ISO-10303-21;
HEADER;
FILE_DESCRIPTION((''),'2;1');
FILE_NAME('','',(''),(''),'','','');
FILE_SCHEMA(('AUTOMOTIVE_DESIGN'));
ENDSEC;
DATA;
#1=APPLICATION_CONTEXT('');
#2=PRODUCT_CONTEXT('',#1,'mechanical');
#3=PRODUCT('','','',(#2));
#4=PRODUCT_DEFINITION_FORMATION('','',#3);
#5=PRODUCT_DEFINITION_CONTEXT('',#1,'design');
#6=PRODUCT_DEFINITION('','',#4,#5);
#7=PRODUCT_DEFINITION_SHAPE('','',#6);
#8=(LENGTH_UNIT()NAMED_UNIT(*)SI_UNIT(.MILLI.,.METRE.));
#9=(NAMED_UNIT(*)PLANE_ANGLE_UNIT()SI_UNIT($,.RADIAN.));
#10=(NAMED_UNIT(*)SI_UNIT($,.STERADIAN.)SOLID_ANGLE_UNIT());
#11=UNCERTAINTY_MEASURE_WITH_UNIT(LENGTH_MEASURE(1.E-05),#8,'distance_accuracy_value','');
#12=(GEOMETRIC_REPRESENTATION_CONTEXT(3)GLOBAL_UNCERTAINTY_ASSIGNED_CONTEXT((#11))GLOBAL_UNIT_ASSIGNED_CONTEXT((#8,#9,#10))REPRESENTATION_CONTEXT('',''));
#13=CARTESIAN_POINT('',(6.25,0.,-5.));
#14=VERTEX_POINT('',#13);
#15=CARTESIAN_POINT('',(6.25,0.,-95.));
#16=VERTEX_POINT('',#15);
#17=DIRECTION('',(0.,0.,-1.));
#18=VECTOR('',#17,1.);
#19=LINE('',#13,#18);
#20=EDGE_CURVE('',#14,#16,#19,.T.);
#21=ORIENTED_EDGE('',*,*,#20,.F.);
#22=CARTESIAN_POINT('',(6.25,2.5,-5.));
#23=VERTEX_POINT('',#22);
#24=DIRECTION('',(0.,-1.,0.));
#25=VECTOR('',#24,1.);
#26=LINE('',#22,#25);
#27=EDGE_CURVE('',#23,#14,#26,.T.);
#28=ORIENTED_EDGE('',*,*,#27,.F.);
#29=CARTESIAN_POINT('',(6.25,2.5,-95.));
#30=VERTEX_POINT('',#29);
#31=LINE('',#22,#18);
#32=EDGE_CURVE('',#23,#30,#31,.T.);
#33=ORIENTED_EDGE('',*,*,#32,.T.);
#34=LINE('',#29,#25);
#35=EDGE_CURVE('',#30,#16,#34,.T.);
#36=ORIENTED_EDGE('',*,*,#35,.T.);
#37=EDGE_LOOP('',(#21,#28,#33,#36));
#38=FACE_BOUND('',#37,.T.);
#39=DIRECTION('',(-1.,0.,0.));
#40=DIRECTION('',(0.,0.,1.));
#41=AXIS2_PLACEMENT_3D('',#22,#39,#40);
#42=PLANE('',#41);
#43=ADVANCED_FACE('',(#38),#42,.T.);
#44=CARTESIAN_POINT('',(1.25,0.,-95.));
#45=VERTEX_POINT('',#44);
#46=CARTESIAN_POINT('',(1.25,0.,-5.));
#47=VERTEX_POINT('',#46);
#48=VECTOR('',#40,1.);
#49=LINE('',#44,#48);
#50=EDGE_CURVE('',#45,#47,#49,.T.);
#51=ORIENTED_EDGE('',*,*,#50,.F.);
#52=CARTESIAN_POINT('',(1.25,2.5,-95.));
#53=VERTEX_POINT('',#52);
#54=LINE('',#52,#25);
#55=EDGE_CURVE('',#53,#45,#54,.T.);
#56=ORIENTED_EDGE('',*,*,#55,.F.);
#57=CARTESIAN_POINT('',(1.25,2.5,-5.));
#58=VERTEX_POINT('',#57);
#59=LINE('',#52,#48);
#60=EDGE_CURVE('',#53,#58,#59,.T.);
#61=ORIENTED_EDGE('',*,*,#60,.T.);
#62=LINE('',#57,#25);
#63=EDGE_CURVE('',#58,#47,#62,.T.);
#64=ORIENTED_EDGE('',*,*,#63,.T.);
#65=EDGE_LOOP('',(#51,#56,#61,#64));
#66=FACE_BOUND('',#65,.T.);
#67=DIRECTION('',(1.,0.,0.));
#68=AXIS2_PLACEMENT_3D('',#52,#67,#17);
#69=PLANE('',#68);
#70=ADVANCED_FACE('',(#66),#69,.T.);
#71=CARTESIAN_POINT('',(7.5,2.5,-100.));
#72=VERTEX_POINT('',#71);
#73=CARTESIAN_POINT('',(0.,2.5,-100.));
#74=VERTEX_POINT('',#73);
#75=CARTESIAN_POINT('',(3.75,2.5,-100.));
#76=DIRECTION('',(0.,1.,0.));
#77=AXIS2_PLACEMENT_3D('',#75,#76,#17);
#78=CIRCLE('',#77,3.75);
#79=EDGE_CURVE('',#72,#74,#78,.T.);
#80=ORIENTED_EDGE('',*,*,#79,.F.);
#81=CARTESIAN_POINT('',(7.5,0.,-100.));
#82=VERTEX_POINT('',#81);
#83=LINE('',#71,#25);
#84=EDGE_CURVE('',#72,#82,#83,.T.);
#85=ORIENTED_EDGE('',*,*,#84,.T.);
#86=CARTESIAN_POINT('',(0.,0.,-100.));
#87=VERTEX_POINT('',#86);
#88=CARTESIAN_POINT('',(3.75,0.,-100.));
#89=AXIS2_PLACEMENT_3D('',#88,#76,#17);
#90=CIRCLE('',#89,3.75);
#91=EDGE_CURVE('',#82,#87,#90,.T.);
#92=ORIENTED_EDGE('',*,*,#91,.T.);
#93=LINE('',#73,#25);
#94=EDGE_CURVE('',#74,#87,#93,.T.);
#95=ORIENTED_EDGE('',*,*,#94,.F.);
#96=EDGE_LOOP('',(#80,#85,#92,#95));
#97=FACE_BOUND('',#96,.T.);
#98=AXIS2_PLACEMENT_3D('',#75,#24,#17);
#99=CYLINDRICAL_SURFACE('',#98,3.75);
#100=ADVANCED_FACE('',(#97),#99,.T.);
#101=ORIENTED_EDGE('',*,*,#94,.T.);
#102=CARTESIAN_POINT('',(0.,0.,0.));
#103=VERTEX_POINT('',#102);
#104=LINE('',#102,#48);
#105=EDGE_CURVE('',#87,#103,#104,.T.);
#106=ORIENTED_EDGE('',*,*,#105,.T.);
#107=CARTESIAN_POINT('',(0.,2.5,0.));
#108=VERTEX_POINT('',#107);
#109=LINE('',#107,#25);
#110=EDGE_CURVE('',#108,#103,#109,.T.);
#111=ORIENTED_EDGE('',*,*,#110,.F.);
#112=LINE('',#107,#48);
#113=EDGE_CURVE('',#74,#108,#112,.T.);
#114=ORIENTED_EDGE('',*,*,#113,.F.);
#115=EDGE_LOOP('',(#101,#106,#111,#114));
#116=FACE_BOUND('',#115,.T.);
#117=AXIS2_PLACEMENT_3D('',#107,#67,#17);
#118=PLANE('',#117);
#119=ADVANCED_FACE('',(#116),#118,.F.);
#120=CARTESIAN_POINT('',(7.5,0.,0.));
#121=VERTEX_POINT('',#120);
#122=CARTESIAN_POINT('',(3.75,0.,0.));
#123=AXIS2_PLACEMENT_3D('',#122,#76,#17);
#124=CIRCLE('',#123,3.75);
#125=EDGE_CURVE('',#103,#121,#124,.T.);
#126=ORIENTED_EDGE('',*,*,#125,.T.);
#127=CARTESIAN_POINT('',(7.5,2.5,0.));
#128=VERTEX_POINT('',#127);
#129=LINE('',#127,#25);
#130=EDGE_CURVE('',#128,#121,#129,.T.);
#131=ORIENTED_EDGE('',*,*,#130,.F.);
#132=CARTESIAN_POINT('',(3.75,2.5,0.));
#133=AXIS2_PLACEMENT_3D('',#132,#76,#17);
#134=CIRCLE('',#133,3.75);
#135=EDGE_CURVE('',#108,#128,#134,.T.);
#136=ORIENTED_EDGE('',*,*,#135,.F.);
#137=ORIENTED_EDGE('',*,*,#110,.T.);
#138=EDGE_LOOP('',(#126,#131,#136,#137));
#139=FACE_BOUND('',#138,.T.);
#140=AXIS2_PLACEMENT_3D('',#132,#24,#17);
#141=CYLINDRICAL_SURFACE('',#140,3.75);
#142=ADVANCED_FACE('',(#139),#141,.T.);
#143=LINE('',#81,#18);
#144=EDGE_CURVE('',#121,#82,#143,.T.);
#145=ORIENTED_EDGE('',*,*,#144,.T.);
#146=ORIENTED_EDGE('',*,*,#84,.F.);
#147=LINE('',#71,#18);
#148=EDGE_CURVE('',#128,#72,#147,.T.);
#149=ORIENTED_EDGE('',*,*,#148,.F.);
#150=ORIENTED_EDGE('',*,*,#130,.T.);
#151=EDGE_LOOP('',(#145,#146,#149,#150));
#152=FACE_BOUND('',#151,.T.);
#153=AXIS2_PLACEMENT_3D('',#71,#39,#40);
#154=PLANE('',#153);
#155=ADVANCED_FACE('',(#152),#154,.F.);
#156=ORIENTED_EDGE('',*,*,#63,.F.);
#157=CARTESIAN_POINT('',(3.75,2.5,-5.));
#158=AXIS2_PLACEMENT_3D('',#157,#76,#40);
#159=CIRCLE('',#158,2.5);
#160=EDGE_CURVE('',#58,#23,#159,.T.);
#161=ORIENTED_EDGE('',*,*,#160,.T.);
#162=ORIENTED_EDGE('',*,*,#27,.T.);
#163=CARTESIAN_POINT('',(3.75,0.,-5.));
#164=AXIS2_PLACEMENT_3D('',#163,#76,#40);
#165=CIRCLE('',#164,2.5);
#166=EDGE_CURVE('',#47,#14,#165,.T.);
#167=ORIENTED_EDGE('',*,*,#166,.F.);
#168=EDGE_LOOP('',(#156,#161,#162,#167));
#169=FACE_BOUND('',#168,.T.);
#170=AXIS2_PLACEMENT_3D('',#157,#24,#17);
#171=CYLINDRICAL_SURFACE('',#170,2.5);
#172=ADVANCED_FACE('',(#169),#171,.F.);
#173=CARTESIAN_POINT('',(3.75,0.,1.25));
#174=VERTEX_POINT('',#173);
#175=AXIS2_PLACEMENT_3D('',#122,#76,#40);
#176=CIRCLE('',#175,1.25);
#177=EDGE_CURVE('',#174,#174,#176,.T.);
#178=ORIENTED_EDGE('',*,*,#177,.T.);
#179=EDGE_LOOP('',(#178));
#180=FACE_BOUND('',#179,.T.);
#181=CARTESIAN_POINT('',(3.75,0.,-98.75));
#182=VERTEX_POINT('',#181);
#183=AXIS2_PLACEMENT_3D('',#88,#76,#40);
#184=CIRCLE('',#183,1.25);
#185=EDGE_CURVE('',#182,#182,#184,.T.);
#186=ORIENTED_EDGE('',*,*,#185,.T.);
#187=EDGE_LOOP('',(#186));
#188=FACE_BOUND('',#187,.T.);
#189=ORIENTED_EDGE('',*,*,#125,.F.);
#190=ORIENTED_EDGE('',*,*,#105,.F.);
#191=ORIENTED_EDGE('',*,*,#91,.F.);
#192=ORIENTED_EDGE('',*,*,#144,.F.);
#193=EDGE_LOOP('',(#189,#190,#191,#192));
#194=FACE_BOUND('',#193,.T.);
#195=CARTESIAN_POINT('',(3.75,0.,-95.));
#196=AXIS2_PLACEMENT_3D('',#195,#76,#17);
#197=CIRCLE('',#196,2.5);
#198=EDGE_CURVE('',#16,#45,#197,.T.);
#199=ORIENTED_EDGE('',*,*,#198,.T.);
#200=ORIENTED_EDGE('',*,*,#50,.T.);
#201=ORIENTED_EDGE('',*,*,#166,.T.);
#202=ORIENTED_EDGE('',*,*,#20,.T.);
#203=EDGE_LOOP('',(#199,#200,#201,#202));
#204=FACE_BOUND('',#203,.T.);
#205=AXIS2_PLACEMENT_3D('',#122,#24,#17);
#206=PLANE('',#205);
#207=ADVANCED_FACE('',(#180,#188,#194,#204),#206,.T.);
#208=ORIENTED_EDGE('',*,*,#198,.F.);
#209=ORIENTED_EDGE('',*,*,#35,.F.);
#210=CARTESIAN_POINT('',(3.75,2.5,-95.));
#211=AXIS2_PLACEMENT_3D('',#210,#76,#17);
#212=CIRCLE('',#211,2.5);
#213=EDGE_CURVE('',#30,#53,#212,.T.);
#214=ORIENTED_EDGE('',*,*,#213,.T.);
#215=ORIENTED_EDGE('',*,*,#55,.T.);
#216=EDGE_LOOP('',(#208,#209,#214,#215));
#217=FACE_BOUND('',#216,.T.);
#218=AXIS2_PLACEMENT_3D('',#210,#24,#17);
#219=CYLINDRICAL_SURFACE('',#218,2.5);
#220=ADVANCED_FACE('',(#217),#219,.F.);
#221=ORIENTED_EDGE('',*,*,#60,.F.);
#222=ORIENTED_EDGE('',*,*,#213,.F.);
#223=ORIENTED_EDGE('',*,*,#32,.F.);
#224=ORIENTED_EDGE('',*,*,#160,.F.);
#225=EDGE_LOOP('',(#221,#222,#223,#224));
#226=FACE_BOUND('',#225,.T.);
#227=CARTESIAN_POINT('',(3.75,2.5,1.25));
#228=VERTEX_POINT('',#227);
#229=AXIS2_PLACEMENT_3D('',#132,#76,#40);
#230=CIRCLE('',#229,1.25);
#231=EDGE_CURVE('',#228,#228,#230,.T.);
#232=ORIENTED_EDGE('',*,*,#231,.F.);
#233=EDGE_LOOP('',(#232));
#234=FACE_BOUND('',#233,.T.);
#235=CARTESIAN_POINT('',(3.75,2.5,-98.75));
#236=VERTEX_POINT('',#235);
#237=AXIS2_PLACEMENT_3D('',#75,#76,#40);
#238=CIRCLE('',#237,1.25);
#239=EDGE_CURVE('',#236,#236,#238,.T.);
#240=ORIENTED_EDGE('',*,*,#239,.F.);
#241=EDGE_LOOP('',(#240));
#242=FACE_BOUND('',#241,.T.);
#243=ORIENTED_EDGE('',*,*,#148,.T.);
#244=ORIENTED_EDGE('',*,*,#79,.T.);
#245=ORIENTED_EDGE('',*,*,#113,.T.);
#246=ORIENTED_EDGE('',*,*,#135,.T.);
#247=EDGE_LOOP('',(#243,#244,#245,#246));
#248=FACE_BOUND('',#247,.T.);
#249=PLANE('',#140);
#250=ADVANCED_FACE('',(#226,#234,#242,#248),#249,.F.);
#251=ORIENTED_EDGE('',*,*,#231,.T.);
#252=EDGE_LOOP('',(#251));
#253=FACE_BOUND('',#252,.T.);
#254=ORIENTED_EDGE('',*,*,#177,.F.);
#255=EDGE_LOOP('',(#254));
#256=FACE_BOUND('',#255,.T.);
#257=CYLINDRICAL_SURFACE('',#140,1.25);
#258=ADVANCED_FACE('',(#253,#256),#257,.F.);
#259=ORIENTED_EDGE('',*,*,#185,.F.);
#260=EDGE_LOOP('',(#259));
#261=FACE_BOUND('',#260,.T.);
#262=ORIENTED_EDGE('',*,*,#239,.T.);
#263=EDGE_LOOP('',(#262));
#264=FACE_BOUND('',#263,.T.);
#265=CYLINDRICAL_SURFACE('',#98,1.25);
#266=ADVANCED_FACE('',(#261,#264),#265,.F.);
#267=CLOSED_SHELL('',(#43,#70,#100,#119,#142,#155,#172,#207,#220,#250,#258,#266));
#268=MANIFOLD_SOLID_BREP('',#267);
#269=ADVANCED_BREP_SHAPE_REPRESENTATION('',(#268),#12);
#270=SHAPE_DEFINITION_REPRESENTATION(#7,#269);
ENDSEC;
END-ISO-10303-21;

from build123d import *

# Parameters (mm, degrees)
SKETCH1_R           = 1.25
BOSS_EXTRUDE1_DEPTH = 2.5


with BuildPart() as part:
    # Sketch1 → Boss-Extrude1 (new body)
    with BuildSketch(Plane(origin=(0, 0, 0), x_dir=(1, 0, 0), z_dir=(0, 1, 0))):
        with BuildLine():
            Line((0, 0), (0, 100))
            ThreePointArc((0, 100), (3.75, 103.75), (7.5, 100))
            Line((7.5, 100), (7.5, 0))
            ThreePointArc((7.5, 0), (3.75, -3.75), (0, 0))
        make_face()
        with Locations((3.75, 0)):
            Circle(SKETCH1_R, mode=Mode.SUBTRACT)
        with Locations((3.75, 100)):
            Circle(SKETCH1_R, mode=Mode.SUBTRACT)
        with BuildLine():
            Line((1.25, 95), (1.25, 5))
            ThreePointArc((1.25, 5), (3.75, 2.5), (6.25, 5))
            Line((6.25, 5), (6.25, 95))
            ThreePointArc((6.25, 95), (3.75, 97.5), (1.25, 95))
        make_face(mode=Mode.SUBTRACT)
    extrude(amount=BOSS_EXTRUDE1_DEPTH)


solid = part.part
